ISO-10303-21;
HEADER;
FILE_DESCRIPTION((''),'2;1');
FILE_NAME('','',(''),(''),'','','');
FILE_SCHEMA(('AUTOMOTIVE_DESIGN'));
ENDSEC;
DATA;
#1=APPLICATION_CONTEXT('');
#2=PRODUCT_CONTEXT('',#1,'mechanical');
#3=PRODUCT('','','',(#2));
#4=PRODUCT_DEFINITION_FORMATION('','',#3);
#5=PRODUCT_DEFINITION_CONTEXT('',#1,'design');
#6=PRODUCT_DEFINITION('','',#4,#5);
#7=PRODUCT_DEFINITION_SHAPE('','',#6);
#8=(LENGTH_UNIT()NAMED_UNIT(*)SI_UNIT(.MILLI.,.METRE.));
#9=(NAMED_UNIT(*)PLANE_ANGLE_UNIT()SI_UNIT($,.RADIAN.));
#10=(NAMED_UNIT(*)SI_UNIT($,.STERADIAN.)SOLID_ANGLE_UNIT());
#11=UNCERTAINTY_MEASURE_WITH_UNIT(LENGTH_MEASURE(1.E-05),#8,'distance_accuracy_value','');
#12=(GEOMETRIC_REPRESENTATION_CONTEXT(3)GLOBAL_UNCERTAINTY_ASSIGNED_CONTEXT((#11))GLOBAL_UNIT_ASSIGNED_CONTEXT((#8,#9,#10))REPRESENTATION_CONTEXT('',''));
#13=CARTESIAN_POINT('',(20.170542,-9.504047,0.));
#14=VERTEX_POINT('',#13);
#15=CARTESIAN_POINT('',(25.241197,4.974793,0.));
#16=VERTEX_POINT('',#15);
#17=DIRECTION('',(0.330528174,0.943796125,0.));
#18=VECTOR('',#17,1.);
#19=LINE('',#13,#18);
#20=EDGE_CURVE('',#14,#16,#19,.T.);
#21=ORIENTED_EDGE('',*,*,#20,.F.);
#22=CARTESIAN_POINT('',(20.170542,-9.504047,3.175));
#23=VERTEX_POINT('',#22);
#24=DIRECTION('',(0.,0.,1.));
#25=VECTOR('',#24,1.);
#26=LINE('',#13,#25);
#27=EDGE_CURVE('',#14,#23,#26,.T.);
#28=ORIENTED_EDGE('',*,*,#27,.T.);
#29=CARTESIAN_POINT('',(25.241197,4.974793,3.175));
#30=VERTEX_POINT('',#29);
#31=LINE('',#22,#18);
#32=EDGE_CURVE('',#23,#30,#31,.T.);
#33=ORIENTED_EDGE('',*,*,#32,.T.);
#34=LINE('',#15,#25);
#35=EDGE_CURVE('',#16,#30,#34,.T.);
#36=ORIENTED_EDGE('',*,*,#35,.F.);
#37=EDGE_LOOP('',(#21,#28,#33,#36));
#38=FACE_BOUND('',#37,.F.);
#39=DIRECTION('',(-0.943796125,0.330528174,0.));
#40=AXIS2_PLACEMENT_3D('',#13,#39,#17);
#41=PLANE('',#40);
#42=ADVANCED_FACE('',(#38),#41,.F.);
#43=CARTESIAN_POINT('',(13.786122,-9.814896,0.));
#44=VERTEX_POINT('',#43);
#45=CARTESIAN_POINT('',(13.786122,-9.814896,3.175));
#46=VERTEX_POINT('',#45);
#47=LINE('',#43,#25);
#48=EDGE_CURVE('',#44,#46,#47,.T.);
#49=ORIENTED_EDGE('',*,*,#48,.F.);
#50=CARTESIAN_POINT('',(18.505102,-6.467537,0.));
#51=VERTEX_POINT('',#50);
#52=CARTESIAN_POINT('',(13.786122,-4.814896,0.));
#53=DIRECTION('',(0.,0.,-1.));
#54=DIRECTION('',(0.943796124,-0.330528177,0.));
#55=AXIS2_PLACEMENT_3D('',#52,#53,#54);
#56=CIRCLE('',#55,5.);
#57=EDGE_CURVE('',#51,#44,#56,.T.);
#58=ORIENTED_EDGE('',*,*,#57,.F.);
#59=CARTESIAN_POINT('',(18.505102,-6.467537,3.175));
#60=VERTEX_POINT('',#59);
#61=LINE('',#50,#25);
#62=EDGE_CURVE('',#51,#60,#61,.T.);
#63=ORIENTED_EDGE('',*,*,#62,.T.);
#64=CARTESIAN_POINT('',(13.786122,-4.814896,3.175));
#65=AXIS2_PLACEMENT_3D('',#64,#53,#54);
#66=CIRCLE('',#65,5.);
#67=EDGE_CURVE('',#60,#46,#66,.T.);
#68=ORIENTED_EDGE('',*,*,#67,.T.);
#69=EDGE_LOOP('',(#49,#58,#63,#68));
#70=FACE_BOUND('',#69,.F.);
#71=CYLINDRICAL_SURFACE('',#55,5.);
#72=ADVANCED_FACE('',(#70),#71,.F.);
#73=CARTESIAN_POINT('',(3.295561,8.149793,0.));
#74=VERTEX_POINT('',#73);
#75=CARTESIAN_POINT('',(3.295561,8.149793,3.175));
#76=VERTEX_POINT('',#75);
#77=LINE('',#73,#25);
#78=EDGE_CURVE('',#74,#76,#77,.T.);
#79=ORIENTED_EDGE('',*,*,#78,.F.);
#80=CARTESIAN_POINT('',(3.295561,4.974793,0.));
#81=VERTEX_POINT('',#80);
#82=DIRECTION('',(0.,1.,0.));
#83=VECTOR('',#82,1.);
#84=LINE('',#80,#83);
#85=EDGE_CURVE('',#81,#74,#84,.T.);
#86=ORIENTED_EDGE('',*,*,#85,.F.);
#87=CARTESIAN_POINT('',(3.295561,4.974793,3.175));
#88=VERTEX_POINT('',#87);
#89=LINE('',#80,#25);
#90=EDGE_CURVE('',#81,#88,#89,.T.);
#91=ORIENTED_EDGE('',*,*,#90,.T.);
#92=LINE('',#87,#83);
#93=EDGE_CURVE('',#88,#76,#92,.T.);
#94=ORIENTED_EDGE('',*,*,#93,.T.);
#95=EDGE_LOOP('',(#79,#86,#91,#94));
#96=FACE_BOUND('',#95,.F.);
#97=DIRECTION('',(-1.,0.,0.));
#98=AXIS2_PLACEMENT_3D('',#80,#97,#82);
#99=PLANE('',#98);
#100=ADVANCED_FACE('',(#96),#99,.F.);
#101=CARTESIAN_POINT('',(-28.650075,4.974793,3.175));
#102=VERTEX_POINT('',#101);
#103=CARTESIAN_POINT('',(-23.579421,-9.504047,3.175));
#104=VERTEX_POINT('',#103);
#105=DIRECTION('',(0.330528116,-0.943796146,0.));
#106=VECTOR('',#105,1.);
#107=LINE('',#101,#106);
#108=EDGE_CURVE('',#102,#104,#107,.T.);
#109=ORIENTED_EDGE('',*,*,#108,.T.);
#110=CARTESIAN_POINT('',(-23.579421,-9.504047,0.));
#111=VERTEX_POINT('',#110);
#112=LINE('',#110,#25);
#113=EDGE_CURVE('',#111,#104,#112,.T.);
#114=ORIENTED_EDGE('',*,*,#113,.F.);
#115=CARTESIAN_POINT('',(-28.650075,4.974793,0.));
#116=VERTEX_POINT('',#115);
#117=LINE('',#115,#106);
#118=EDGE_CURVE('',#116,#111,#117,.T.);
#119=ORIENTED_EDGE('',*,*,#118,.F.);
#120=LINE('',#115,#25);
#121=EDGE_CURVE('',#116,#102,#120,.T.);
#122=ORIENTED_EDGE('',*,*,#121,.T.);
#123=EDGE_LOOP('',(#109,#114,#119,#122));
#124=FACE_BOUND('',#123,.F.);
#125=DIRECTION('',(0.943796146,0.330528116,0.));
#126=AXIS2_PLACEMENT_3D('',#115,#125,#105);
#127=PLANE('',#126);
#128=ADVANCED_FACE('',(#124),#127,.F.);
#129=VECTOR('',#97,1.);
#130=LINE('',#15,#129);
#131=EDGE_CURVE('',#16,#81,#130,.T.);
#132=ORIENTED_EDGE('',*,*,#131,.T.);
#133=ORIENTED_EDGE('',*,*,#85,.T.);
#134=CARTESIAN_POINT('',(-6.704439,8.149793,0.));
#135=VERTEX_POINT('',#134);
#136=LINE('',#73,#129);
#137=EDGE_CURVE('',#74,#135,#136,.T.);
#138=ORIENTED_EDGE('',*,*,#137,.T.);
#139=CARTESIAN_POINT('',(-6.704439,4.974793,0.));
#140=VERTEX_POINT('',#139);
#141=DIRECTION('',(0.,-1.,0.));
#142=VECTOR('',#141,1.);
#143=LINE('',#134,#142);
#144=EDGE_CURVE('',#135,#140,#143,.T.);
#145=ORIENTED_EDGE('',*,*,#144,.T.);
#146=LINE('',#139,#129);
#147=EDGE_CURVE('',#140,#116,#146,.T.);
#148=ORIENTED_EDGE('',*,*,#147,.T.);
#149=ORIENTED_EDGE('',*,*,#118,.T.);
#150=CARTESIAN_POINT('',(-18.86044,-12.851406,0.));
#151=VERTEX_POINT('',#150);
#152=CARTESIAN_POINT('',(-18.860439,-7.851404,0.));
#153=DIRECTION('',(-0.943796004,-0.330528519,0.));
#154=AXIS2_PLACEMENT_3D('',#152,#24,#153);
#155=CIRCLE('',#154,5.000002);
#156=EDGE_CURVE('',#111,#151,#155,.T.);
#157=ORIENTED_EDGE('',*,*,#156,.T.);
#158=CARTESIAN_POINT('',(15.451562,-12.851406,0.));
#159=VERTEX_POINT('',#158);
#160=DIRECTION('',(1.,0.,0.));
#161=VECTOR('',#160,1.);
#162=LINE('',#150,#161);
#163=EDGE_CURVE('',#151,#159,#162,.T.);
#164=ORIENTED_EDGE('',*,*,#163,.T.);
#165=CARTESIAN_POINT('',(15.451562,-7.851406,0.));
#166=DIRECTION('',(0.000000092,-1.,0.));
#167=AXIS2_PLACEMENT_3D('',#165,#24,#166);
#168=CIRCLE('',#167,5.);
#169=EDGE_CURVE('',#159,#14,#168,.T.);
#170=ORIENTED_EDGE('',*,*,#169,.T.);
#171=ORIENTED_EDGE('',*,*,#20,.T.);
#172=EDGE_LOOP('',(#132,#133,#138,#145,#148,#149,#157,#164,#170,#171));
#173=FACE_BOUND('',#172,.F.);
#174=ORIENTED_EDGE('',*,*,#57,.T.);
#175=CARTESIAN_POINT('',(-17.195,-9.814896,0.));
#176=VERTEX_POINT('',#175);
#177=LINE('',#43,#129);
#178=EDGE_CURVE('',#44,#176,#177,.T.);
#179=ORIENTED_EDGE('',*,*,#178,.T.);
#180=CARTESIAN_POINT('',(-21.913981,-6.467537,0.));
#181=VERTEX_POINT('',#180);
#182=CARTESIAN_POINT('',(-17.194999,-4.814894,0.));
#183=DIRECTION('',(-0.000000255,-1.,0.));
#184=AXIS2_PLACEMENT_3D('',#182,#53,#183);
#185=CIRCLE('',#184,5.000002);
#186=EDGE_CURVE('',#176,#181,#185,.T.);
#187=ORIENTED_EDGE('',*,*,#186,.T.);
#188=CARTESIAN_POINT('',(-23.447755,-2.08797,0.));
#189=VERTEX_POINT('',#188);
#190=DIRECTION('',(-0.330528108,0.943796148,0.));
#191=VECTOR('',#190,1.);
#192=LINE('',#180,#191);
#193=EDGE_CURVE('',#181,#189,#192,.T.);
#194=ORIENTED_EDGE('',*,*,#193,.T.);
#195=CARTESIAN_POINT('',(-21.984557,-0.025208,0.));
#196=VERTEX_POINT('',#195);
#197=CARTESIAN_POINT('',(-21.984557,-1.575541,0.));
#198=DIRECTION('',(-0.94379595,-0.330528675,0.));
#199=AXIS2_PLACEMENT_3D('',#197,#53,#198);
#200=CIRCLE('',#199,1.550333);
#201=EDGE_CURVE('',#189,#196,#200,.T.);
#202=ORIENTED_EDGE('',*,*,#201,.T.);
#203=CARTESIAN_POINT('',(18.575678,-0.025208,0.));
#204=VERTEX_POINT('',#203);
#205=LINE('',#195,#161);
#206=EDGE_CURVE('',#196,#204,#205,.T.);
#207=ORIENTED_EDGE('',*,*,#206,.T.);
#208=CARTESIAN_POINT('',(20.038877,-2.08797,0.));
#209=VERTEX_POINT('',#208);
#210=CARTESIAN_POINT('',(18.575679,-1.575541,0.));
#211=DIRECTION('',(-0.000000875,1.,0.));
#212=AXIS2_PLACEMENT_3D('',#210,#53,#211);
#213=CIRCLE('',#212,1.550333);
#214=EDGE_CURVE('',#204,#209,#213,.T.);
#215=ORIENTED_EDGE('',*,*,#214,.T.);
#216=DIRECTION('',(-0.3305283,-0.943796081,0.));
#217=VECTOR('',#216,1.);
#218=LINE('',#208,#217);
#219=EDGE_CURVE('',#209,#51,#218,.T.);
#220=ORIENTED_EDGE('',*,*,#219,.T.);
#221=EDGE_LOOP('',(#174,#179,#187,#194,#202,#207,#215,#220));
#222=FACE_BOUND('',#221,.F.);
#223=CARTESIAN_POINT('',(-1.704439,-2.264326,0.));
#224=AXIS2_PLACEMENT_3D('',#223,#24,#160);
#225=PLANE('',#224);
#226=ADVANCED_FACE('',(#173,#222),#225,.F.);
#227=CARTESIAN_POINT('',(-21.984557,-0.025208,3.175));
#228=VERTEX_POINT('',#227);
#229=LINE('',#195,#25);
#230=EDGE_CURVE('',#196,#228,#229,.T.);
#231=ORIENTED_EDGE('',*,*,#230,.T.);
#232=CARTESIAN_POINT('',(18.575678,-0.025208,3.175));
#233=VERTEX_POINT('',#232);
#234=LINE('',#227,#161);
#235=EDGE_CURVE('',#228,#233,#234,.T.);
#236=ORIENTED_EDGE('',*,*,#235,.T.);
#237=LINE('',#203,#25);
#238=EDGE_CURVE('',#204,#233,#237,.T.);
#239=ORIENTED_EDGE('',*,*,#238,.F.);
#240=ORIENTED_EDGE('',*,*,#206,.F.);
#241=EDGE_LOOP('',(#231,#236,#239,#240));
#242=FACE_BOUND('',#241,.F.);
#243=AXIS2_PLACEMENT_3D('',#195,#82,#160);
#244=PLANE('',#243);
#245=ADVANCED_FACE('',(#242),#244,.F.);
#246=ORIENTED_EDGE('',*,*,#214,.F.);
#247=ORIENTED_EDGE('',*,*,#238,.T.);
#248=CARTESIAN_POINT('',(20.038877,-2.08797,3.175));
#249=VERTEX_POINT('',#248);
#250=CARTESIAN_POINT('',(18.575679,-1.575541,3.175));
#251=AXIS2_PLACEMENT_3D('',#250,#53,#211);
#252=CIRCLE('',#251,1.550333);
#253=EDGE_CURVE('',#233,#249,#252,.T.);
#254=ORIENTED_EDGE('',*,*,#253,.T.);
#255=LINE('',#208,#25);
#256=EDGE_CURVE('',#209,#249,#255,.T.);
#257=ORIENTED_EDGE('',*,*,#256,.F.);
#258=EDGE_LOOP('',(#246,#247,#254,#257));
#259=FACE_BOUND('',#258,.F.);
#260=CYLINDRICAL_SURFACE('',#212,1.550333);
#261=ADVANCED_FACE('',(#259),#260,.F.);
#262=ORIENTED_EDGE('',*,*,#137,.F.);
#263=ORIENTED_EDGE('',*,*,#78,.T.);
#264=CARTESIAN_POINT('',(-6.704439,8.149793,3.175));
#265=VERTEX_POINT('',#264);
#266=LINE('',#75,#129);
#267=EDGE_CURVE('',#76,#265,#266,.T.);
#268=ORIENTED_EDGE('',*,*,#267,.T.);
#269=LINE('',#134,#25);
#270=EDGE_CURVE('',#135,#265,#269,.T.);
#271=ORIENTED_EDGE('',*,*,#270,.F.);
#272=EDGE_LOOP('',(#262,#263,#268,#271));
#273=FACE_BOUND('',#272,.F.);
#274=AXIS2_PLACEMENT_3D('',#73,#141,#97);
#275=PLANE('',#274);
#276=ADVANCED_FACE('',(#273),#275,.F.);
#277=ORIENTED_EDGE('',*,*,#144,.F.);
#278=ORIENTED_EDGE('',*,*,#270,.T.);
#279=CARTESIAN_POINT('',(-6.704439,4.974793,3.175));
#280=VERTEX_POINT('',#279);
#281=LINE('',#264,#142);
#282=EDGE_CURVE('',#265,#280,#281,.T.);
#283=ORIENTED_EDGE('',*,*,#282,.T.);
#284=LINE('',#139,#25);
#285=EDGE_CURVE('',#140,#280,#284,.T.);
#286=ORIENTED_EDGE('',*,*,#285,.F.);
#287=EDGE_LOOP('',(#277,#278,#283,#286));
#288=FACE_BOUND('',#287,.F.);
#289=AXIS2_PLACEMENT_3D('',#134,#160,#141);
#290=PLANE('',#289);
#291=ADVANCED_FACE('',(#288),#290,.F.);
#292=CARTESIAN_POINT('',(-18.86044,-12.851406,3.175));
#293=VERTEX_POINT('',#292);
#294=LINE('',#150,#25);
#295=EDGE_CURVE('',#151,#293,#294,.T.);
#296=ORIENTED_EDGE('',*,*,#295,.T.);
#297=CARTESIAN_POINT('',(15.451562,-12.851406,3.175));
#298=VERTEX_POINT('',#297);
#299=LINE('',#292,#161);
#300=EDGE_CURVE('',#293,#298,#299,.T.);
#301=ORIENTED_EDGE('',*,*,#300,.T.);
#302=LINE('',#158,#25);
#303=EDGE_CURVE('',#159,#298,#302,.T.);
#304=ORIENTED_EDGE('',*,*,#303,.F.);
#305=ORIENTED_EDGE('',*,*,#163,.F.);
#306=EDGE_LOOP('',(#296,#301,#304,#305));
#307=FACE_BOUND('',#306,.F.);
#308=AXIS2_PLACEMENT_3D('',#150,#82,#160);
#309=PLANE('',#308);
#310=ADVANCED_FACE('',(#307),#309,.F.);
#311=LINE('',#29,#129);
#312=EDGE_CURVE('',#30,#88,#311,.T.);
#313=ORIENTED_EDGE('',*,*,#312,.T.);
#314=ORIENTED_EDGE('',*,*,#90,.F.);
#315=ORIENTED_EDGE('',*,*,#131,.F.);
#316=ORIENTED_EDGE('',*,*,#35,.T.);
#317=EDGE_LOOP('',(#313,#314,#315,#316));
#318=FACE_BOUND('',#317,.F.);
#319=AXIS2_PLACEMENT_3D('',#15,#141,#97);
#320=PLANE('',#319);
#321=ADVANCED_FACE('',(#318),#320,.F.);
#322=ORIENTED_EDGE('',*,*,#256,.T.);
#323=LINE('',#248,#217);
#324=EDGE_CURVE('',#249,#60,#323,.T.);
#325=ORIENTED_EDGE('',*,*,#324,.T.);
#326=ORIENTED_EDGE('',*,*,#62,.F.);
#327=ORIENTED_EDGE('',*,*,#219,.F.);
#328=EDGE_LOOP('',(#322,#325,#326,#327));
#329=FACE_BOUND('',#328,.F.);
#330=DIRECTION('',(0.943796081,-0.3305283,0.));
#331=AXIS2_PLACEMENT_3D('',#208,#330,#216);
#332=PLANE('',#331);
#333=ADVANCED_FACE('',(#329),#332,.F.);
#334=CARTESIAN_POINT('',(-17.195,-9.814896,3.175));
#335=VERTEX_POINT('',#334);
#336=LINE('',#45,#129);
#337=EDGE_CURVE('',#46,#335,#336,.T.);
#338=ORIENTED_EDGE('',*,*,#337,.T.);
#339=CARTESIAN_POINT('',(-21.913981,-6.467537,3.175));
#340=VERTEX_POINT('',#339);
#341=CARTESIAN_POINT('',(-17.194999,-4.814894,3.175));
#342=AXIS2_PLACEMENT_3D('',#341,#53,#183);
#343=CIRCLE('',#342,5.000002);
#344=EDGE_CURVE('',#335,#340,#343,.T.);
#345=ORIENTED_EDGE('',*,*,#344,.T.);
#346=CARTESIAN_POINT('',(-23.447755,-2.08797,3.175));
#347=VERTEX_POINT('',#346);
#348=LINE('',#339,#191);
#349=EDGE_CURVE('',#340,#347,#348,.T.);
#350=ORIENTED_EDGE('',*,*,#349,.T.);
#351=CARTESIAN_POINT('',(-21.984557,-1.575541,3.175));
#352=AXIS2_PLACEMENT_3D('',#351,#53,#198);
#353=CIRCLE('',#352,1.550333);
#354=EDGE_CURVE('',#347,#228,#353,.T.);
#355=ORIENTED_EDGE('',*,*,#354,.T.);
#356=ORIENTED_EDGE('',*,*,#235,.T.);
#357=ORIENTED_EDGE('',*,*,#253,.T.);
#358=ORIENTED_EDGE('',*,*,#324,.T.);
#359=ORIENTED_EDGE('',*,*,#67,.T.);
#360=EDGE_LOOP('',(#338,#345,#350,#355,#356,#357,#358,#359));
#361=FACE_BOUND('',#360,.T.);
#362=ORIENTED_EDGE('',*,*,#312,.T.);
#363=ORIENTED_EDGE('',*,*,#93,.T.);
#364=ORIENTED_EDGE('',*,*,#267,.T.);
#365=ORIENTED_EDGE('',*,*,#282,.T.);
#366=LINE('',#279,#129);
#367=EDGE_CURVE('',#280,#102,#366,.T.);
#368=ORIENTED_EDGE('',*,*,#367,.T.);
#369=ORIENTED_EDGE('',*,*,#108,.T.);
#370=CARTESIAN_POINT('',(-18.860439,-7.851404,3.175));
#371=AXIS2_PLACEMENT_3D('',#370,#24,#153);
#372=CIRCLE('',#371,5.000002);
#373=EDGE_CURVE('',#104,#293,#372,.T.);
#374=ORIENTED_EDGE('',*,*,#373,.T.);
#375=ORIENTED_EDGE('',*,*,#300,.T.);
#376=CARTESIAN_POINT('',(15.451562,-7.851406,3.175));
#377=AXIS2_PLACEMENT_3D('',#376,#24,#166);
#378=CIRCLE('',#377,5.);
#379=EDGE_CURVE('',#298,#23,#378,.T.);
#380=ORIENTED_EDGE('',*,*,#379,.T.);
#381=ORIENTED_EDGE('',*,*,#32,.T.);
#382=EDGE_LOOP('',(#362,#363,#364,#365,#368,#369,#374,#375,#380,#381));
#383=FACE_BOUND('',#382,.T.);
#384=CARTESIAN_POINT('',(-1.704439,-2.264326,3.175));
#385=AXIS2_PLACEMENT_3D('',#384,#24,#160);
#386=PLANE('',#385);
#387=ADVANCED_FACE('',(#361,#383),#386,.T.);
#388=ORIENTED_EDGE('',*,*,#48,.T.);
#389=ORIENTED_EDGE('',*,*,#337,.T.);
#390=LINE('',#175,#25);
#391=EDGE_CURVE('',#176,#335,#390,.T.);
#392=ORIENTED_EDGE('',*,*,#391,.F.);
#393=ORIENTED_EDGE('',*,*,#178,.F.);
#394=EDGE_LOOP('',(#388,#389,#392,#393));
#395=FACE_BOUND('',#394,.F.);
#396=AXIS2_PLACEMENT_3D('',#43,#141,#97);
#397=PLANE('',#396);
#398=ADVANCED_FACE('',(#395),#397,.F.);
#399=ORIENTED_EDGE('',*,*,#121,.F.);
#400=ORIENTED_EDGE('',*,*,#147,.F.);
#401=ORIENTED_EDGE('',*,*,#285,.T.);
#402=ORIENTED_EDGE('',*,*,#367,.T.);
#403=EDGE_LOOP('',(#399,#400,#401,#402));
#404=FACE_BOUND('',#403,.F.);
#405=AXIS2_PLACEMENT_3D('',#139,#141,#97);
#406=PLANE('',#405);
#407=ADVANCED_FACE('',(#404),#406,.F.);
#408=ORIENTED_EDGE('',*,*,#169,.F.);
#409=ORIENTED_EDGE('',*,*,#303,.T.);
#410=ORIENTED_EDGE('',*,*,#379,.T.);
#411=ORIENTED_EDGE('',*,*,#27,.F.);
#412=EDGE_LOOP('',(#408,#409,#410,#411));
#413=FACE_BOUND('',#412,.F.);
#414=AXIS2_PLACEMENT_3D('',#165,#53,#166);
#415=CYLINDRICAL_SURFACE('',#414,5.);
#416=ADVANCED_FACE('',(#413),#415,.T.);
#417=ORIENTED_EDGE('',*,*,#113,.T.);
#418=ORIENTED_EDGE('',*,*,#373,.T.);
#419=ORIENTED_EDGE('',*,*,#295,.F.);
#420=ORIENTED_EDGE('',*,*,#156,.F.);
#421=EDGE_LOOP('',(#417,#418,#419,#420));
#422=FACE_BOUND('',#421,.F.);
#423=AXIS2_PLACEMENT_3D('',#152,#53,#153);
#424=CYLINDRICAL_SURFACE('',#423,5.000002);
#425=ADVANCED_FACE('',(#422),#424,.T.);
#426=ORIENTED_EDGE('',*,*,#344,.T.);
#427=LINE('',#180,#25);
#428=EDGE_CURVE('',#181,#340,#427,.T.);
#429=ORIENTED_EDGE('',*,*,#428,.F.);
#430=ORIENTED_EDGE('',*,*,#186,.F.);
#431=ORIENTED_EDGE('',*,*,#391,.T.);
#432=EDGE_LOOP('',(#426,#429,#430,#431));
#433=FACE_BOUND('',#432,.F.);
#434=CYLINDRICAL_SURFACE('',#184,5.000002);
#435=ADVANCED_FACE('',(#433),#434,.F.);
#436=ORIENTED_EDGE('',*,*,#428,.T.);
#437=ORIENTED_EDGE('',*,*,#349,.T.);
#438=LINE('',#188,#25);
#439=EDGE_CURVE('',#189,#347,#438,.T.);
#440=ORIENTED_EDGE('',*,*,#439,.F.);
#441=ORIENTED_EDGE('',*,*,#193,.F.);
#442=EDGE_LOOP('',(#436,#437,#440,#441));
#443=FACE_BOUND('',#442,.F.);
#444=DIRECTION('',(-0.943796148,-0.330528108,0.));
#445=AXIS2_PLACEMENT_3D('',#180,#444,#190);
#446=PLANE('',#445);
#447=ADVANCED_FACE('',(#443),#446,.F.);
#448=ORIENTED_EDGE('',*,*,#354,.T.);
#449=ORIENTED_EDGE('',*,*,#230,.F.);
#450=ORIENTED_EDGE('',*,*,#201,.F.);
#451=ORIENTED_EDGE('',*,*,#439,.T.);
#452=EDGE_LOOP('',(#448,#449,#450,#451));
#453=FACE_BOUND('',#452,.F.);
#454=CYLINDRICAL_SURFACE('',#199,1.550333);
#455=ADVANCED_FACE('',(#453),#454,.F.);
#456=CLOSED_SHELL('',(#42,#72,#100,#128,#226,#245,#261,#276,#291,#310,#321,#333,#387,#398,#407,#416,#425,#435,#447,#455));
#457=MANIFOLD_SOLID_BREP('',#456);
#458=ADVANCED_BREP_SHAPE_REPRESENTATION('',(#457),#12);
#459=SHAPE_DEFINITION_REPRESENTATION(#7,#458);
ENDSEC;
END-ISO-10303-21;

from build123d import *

# Parameters (mm, degrees)
F1_DEPTH = 3.175


with BuildPart() as f1:
    # F0 (on Top) → F1 (new body)
    with BuildSketch(Plane.XY):
        with BuildLine():
            Line((25.241197, 4.974793), (3.295561, 4.974793))
            Line((3.295561, 4.974793), (3.295561, 8.149793))
            Line((3.295561, 8.149793), (-1.704439, 8.149793))
            Line((-1.704439, 8.149793), (-6.704439, 8.149793))
            Line((-6.704439, 8.149793), (-6.704439, 4.974793))
            Line((-6.704439, 4.974793), (-28.650075, 4.974793))
            Line((-28.650075, 4.974793), (-23.579421, -9.504047))
            ThreePointArc((-23.579421, -9.504047), (-21.753258, -11.929592), (-18.86044, -12.851406))
            Line((-18.86044, -12.851406), (-1.704439, -12.851406))
            Line((-1.704439, -12.851406), (15.451562, -12.851406))
            ThreePointArc((15.451562, -12.851406), (18.34438, -11.929592), (20.170542, -9.504047))
            Line((20.170542, -9.504047), (25.241197, 4.974793))
        make_face()
        with BuildLine():
            ThreePointArc((18.575678, -0.025208), (19.840188, -0.678574), (20.038877, -2.08797))
            Line((20.038877, -2.08797), (18.505102, -6.467537))
            ThreePointArc((18.505102, -6.467537), (16.67894, -8.893082), (13.786122, -9.814896))
            Line((13.786122, -9.814896), (-17.195, -9.814896))
            ThreePointArc((-17.195, -9.814896), (-20.087818, -8.893082), (-21.913981, -6.467537))
            Line((-21.913981, -6.467537), (-23.447755, -2.08797))
            ThreePointArc((-23.447755, -2.08797), (-23.249066, -0.678574), (-21.984557, -0.025208))
            Line((-21.984557, -0.025208), (18.575678, -0.025208))
        make_face(mode=Mode.SUBTRACT)
    extrude(amount=F1_DEPTH)


solid = f1.part
